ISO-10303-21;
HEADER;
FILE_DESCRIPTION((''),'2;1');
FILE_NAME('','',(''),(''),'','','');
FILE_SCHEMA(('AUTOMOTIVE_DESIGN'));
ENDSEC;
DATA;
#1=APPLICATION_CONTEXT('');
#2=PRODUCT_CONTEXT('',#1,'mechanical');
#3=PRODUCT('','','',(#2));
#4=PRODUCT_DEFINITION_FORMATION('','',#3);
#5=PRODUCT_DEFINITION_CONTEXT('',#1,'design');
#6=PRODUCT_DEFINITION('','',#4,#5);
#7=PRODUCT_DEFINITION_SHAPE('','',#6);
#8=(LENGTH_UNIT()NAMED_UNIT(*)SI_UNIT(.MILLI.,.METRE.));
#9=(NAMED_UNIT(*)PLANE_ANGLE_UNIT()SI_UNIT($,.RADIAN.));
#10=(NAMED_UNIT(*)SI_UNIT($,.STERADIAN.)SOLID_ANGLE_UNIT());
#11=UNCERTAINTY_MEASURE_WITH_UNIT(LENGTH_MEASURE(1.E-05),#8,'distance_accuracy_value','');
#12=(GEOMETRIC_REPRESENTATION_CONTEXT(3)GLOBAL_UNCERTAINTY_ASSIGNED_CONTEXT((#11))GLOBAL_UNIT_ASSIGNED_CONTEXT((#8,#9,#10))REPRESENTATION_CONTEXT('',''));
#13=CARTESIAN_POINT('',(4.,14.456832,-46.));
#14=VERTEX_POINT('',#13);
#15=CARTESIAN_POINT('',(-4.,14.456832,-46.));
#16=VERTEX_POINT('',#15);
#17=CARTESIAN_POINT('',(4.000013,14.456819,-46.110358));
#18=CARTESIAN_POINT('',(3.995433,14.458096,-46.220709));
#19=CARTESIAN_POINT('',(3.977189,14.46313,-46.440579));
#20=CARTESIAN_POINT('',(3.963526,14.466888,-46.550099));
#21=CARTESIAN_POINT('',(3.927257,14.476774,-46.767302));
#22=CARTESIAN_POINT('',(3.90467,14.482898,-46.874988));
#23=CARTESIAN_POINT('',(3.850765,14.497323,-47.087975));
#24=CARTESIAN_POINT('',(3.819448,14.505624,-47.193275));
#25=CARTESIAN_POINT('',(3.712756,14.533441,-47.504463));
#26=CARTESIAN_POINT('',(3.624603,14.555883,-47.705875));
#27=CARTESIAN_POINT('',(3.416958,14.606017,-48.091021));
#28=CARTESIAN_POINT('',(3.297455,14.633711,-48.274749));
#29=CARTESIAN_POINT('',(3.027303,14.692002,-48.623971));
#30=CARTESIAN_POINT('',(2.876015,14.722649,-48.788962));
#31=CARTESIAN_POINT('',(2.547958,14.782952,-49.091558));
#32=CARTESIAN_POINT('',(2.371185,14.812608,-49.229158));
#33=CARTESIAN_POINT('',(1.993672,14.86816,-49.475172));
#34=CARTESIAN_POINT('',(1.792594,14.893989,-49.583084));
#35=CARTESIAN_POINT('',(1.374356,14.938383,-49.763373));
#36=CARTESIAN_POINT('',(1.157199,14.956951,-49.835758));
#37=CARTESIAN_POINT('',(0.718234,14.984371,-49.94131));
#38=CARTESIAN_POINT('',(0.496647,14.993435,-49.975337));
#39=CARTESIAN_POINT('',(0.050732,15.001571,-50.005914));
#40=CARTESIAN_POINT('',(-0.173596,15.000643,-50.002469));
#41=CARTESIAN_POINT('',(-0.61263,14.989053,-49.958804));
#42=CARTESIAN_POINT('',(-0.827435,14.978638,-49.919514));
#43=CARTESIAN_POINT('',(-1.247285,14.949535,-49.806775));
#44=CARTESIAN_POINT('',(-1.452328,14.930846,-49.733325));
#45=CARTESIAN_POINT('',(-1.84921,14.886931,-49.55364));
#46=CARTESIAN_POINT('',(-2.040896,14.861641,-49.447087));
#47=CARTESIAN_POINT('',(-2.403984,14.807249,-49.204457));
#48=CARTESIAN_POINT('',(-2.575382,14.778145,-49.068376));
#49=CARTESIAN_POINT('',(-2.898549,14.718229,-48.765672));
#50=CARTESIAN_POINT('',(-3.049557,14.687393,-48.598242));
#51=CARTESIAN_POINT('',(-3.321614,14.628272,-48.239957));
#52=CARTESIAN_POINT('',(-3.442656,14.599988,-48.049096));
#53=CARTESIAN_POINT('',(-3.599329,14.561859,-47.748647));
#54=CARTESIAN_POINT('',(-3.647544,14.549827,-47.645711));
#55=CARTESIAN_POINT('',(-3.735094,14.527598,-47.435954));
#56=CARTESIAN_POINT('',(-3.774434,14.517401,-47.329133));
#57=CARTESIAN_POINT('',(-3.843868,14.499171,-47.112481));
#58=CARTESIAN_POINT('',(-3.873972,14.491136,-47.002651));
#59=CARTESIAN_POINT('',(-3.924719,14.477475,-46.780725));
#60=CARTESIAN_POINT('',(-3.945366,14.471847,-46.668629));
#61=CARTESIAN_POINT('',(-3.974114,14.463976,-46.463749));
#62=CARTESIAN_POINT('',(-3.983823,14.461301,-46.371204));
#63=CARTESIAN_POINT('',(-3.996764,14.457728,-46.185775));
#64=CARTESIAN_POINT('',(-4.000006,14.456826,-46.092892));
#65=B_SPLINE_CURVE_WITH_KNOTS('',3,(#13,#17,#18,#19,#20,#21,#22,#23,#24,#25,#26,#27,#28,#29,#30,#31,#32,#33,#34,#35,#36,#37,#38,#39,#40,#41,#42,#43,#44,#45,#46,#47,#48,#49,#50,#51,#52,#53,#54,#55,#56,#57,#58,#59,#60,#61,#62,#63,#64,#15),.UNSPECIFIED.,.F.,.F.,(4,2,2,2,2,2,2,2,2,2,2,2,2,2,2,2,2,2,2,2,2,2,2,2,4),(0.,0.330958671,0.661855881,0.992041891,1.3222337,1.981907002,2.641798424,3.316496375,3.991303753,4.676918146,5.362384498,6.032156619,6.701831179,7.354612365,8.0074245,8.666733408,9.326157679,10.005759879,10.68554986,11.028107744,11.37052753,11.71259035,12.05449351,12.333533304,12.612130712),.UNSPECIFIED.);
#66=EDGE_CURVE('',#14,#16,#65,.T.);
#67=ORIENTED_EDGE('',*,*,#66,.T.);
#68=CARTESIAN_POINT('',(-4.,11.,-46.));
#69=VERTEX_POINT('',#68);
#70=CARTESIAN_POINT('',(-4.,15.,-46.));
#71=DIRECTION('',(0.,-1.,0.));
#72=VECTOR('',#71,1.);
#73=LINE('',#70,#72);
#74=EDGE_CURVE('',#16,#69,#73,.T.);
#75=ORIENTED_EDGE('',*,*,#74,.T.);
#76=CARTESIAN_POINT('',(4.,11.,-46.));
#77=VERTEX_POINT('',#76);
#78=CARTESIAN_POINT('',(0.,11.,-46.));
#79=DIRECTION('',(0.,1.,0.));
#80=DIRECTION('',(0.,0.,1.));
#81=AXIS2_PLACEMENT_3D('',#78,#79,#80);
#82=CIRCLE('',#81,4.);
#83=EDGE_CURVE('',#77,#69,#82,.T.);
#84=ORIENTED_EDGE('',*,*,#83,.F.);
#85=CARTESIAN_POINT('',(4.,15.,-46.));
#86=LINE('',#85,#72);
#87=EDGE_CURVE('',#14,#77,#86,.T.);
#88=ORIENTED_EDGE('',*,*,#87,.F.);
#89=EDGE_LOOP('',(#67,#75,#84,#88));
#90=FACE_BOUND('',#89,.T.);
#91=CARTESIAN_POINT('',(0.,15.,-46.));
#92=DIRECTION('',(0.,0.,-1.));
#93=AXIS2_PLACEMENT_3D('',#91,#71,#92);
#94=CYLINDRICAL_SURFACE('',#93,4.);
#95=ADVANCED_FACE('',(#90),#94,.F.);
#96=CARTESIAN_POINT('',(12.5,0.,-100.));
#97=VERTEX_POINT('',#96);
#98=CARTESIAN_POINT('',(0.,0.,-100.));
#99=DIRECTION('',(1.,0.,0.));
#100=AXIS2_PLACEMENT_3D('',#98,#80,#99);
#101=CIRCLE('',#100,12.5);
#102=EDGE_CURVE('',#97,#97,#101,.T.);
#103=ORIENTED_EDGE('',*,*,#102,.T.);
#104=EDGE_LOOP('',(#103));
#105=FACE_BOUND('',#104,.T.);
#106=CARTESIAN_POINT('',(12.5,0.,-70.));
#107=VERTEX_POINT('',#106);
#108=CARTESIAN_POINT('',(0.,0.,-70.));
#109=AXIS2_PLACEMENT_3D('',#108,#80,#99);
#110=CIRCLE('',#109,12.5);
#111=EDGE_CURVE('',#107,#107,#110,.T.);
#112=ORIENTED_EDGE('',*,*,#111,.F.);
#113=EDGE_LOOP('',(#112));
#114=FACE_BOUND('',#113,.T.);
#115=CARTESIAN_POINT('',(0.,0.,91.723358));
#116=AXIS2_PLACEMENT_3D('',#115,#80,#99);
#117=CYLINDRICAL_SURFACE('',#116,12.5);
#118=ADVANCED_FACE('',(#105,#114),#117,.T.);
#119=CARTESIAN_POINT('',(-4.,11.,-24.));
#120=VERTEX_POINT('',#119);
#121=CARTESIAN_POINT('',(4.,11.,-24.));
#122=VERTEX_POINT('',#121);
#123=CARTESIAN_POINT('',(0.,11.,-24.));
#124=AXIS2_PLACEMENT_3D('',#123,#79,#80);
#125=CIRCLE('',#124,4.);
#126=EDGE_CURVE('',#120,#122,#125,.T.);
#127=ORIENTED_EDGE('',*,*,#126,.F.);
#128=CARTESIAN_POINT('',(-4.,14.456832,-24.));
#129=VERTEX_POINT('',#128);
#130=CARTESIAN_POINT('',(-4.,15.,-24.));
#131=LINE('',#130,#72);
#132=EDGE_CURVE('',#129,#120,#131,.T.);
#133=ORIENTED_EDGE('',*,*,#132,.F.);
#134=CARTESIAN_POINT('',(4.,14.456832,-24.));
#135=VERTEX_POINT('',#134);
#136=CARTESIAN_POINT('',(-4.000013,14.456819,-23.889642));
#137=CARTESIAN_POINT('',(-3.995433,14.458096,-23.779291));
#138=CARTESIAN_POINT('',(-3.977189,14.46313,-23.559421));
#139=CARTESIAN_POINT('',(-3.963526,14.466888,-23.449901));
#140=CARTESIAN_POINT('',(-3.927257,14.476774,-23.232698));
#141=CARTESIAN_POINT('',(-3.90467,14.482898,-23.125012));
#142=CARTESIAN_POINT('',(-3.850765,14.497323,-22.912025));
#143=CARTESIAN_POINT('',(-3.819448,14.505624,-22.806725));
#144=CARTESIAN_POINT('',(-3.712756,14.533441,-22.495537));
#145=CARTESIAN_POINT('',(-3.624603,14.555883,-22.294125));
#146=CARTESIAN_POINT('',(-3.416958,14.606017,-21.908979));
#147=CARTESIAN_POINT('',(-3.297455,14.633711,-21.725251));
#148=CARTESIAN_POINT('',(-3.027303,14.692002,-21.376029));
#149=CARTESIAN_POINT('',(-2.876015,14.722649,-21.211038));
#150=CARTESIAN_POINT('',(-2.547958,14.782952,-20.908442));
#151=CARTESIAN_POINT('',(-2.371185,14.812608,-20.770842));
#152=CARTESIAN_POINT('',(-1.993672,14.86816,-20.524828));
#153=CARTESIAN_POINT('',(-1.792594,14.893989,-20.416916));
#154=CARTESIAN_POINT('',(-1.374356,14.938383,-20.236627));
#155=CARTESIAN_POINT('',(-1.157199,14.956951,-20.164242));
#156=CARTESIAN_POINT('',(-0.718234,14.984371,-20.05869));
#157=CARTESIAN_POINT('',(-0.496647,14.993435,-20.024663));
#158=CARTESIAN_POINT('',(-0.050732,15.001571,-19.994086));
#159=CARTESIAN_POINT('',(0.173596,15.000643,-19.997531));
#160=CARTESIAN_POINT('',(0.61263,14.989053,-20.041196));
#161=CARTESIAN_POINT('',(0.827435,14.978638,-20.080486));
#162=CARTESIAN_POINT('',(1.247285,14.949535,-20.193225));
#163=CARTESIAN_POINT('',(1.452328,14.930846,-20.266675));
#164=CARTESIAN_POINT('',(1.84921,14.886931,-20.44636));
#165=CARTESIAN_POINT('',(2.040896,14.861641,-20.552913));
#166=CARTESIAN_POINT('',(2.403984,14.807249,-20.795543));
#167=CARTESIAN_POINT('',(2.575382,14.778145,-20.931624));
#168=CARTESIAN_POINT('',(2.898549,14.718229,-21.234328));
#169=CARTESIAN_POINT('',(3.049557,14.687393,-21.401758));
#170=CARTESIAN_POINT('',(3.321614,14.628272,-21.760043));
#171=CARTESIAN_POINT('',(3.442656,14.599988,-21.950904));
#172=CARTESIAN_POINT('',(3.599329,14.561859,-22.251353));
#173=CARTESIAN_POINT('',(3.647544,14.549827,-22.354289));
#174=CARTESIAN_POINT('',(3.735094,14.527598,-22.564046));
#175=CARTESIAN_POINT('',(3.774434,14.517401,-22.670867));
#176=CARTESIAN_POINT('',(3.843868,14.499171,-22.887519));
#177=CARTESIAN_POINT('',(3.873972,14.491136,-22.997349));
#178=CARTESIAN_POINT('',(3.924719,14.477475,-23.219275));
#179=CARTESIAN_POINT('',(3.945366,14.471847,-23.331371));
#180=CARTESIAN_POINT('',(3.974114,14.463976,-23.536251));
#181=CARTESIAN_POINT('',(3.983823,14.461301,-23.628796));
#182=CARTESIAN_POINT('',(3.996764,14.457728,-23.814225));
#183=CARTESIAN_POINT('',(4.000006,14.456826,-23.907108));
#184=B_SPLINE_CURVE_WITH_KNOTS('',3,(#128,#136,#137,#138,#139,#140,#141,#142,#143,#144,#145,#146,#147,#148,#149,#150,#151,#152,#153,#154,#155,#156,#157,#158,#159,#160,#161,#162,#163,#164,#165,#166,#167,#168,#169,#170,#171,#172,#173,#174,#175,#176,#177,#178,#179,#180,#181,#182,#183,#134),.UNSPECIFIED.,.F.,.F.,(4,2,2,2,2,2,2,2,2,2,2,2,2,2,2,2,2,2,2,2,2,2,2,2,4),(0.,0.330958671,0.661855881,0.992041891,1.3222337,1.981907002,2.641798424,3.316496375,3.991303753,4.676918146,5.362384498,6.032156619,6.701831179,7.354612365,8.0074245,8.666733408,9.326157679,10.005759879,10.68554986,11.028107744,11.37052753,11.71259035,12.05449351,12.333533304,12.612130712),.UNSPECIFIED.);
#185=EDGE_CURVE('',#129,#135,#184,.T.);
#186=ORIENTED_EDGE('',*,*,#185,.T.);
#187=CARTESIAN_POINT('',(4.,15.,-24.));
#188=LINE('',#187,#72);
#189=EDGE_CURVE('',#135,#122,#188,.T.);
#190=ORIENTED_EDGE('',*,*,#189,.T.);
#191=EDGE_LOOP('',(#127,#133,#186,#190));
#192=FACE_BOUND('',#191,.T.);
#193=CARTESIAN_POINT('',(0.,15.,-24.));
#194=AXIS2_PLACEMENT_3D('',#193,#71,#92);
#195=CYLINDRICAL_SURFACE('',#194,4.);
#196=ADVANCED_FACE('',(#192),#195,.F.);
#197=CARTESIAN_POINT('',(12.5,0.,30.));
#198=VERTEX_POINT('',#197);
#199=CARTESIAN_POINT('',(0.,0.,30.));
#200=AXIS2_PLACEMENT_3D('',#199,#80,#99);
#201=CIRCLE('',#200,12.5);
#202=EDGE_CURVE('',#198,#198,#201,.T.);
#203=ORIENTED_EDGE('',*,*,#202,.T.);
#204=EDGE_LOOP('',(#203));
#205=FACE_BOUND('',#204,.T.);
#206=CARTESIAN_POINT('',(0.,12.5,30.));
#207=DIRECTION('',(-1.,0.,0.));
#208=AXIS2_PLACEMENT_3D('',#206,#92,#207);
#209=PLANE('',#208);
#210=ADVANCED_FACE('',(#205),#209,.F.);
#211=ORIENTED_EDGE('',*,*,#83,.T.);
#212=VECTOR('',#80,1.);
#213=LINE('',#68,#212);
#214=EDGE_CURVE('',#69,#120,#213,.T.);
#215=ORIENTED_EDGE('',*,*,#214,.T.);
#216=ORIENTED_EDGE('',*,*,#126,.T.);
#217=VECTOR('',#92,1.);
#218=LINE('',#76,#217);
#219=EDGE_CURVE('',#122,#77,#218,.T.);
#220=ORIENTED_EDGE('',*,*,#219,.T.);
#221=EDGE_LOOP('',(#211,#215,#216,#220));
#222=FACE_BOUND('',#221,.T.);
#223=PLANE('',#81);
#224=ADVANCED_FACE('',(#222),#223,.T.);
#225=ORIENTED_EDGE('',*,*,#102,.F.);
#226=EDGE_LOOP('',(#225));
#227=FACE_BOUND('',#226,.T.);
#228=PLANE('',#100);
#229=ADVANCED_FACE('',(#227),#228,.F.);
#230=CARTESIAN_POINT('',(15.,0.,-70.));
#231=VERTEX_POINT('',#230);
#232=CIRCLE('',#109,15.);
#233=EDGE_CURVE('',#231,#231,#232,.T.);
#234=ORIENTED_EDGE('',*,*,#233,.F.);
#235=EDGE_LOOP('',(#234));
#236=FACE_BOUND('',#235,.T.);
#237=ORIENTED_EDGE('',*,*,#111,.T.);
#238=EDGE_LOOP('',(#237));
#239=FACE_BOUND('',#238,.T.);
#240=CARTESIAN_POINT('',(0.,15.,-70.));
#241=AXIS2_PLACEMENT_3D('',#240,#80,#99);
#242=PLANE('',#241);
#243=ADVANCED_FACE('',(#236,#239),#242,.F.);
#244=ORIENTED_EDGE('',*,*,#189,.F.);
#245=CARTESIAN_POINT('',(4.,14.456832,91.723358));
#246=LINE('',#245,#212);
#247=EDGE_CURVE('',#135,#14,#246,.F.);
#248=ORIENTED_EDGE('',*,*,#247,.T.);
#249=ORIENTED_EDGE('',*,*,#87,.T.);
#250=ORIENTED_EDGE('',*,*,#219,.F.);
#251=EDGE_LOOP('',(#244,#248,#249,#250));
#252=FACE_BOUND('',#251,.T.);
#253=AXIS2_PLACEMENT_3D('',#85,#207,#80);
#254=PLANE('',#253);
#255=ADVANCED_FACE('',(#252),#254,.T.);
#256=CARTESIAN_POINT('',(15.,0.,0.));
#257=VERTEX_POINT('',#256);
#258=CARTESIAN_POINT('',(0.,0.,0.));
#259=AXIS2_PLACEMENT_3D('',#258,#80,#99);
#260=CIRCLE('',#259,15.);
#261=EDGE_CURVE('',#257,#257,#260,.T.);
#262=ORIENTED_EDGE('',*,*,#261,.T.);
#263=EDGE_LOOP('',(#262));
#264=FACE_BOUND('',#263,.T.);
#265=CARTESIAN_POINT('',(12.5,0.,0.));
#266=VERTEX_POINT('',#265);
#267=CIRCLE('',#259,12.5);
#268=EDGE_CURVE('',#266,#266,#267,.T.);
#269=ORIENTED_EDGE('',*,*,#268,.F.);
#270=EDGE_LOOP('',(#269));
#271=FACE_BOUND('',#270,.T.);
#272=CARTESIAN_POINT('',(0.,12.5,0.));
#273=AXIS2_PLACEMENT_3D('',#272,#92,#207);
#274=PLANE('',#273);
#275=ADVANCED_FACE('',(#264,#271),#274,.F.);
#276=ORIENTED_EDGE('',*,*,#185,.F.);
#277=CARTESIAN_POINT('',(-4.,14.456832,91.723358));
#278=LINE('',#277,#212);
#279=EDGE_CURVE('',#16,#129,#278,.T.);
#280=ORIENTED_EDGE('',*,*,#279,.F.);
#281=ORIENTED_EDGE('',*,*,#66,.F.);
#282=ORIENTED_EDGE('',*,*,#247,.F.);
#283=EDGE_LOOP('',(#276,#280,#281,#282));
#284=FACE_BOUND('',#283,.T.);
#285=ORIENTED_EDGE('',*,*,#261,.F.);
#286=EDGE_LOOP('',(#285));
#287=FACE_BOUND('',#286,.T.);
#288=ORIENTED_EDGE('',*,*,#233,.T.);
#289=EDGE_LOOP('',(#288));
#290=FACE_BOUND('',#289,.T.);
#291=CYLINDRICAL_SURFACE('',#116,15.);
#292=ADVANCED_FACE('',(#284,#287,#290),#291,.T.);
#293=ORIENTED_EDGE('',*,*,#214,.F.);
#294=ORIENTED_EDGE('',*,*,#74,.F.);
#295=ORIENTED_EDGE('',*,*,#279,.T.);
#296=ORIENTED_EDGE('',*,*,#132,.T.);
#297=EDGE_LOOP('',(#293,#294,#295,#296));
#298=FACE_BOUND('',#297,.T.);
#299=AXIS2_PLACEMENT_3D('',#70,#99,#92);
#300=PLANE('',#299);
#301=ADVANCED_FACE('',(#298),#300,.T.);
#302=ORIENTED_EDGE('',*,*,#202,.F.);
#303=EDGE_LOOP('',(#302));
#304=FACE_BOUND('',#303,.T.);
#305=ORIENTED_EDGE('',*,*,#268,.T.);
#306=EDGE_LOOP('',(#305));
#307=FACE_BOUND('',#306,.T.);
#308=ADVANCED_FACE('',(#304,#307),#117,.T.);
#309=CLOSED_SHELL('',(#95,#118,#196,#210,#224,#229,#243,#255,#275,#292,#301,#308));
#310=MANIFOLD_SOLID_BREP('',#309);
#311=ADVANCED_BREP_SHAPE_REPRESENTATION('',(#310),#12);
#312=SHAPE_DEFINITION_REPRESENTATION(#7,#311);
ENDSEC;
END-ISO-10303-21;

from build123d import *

# Parameters (mm, degrees)
CUT_EXTRUDE1_START = 11
CUT_EXTRUDE1_DEPTH = 92.225241501


with BuildPart() as part:
    # Sketch1 → Revolve1 (revolve)
    with BuildSketch(Plane(origin=(0, 0, 0), x_dir=(0, 0, -1), z_dir=(1, 0, 0)), mode=Mode.PRIVATE) as revolve1_sk:
        Polygon((0, 15), (70, 15), (70, 12.5), (100, 12.5), (100, 0), (-30, 0), (-30, 12.5), (0, 12.5), align=None)
    revolve(revolve1_sk.sketch.rotate(Axis((0, 0, 91.723358082), (0, 0, -1)), 90), axis=Axis((0, 0, 91.723358082), (0, 0, -1)))

    # Sketch2 → Cut-Extrude1 (cut, through all)
    with BuildSketch(Plane(origin=(0, 0, 0), x_dir=(1, 0, 0), z_dir=(0, 1, 0)).offset(CUT_EXTRUDE1_START)):
        with BuildLine():
            Line((4, 46), (4, 24))
            ThreePointArc((4, 24), (0, 20), (-4, 24))
            Line((-4, 24), (-4, 46))
            ThreePointArc((-4, 46), (0, 50), (4, 46))
        make_face()
    extrude(amount=CUT_EXTRUDE1_DEPTH, mode=Mode.SUBTRACT)


solid = part.part
